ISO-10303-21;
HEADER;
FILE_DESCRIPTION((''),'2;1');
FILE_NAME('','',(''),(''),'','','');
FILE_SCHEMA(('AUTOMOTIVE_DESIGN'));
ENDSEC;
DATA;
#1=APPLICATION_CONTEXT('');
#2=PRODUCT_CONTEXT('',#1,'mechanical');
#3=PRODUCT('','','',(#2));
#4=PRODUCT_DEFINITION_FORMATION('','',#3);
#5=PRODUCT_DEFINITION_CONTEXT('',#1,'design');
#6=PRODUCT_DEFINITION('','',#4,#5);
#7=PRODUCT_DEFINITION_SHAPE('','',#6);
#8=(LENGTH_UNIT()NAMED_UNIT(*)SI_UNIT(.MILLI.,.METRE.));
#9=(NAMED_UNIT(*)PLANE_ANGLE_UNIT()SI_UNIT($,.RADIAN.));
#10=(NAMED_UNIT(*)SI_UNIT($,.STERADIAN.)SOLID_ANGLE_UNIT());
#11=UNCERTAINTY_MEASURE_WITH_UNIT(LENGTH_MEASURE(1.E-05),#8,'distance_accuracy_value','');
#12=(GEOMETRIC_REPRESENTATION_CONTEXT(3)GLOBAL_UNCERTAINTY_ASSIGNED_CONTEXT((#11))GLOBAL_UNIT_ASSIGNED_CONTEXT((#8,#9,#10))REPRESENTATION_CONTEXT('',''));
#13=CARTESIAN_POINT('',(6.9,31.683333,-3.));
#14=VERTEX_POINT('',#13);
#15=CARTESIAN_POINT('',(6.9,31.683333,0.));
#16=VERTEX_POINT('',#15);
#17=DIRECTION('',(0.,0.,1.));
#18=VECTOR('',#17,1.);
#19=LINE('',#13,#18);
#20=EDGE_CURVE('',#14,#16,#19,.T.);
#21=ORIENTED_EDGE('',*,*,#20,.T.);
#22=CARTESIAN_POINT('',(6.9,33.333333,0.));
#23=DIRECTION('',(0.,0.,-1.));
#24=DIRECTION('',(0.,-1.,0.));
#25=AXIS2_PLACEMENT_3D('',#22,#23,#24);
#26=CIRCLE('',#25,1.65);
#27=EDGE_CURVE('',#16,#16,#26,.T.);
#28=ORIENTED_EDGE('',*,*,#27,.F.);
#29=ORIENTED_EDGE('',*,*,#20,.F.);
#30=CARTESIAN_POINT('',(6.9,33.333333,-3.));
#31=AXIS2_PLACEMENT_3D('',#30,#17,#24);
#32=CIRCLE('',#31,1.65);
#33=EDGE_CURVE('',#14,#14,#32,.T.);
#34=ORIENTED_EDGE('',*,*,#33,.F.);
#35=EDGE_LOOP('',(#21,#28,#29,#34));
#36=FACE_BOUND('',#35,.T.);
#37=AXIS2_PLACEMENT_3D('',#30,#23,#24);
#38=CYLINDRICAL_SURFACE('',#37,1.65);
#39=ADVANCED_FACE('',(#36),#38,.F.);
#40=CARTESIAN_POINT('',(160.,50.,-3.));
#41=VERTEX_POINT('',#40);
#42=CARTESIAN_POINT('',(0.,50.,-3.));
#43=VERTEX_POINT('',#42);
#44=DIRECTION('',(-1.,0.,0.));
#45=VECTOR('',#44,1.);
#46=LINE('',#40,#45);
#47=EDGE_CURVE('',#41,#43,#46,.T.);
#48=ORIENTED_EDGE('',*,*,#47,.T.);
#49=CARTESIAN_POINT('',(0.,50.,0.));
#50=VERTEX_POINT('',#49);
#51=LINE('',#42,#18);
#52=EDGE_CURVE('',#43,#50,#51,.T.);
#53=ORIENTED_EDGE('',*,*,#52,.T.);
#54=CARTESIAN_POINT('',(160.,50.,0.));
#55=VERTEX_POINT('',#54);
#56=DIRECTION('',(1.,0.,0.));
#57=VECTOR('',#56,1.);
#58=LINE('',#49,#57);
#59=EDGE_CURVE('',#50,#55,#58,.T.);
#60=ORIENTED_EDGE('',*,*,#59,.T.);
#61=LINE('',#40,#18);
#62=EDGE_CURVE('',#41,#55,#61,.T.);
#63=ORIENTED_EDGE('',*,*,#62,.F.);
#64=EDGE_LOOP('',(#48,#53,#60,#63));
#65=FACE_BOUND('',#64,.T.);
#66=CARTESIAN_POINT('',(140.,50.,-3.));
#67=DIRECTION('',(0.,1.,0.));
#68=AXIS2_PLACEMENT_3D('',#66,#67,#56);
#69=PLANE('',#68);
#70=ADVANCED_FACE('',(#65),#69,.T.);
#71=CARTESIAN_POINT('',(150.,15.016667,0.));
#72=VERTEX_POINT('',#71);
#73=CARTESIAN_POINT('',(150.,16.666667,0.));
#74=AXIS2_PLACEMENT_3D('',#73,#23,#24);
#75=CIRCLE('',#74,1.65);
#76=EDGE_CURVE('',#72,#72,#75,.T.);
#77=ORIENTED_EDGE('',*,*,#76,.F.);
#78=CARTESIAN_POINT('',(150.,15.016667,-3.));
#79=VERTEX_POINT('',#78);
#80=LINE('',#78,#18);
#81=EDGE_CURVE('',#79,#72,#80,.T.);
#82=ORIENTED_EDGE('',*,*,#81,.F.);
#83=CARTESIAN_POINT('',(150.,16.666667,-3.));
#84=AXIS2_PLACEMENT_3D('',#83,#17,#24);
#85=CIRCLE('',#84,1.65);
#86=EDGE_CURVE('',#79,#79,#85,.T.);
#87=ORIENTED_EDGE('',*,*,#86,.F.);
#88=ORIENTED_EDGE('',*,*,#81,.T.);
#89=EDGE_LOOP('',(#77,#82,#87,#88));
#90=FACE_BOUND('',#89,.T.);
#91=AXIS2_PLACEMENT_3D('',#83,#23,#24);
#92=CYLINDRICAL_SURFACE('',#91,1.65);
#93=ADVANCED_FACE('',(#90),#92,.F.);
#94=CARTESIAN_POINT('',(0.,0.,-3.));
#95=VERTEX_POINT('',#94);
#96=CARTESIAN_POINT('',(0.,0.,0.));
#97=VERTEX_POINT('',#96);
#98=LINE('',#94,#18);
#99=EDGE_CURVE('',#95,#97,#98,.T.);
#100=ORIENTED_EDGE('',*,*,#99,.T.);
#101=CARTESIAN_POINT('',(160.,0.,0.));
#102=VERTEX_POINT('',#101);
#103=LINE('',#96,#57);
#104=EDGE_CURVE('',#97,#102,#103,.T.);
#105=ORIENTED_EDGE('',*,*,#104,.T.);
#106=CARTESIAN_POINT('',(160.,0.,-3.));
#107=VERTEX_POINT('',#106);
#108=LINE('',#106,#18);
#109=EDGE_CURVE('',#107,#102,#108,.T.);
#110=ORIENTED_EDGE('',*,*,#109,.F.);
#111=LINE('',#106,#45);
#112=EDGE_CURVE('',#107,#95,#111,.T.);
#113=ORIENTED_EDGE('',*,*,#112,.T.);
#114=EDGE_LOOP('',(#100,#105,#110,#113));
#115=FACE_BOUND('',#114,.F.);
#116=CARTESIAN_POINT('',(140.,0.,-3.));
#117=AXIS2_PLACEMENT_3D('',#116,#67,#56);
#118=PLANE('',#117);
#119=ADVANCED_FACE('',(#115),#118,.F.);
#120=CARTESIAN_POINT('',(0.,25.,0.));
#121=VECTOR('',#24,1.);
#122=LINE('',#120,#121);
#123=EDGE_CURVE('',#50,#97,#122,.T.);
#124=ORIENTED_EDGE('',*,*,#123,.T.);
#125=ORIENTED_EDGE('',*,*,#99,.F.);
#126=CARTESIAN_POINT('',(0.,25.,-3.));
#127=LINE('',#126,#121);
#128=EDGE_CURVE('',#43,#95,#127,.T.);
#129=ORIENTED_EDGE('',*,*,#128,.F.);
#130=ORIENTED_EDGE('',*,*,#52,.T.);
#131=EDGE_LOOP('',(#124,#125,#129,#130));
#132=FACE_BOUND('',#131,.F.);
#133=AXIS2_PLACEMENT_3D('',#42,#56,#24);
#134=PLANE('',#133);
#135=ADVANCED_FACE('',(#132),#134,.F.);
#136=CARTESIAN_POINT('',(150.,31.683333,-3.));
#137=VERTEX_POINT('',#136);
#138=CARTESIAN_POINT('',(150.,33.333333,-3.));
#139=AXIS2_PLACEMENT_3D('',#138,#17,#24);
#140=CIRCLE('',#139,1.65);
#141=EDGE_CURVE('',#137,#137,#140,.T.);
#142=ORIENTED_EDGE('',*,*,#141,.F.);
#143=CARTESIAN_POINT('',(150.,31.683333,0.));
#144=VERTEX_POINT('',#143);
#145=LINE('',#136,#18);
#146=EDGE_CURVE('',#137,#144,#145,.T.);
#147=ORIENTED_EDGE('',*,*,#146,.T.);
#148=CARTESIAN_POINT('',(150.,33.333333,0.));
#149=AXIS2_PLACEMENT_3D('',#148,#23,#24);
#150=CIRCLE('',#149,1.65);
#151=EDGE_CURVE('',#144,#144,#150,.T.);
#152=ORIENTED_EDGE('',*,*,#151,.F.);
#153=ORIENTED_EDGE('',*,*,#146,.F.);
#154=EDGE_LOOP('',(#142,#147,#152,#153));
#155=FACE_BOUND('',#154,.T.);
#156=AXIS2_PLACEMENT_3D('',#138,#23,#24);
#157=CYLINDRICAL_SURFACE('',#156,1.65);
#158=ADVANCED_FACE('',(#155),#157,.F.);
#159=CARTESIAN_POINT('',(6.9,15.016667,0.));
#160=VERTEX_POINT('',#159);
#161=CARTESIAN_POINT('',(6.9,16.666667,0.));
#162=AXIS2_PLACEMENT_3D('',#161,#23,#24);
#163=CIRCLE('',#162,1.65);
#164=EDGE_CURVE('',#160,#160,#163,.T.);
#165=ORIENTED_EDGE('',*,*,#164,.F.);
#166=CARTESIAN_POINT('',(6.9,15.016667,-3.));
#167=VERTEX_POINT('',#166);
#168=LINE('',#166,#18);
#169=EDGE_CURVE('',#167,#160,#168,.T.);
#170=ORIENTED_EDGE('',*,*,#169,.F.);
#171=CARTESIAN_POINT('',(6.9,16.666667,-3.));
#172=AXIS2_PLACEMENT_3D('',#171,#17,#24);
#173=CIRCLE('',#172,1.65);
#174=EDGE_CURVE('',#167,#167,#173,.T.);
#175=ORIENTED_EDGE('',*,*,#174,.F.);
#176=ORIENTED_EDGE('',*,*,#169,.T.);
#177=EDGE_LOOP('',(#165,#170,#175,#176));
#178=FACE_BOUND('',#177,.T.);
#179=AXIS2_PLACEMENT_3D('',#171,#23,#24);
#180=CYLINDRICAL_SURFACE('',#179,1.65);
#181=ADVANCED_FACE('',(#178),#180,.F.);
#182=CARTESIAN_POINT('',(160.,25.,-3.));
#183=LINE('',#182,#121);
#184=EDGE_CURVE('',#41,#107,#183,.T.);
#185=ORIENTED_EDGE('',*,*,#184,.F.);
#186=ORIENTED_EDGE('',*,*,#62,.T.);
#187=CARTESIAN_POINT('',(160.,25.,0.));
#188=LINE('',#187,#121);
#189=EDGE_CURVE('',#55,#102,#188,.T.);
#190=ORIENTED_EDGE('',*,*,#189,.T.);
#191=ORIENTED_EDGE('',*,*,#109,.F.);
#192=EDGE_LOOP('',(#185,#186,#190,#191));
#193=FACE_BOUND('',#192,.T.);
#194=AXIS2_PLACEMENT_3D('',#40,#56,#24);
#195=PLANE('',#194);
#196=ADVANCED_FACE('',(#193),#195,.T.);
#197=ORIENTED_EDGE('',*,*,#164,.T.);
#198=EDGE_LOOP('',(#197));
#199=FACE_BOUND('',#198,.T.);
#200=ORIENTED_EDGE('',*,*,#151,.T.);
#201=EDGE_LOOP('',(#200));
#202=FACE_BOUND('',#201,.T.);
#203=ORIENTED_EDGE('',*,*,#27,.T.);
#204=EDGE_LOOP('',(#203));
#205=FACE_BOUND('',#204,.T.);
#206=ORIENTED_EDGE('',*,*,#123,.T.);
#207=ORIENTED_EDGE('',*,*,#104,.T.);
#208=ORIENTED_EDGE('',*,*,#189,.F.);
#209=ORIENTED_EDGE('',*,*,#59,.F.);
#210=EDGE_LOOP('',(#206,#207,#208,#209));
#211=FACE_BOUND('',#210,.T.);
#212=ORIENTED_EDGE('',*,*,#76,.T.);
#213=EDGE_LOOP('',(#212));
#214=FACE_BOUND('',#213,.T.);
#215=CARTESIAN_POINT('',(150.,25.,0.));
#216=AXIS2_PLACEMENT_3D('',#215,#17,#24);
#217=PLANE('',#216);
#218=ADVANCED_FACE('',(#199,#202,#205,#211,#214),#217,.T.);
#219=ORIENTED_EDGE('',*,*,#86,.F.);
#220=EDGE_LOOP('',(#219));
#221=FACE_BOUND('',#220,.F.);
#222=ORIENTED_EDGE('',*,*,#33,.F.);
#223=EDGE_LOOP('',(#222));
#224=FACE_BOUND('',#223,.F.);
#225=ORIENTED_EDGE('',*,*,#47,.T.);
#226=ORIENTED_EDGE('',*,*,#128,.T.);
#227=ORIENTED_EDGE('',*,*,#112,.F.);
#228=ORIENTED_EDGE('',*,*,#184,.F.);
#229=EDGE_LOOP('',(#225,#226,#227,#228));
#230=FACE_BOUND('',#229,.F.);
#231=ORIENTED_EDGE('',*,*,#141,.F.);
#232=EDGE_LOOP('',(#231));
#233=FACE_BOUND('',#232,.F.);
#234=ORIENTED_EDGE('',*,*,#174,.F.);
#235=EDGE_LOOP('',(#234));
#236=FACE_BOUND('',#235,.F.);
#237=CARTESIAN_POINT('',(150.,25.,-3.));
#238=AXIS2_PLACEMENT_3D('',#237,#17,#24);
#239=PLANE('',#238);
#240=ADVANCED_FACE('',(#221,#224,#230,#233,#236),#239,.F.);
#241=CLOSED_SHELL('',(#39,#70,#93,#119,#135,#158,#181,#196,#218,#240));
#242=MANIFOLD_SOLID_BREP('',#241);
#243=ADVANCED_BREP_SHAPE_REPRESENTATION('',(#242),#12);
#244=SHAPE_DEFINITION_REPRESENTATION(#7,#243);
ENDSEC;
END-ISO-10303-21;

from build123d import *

# Parameters (mm, degrees)
SKETCH001_W           = 50
SKETCH001_H           = 16.9
PAD_DEPTH             = 3
SKETCH002_W           = 50
SKETCH002_H           = 50
PAD001_DEPTH          = 3
SKETCH003_W           = 50
SKETCH003_H           = 20
PAD002_DEPTH          = 3
SKETCH004_W           = 50
SKETCH004_H           = 53.1
PAD003_DEPTH          = 3
SKETCH005_W           = 50
SKETCH005_H           = 20
PAD004_DEPTH          = 3
SKETCH006_R           = 1.65
POCKET_DEPTH          = 3.001
SKETCH_R              = 1.65
POCKET001_DEPTH       = 0.001
POCKET001_DEPTH_BACK  = 3.001
CLONE_PLACEMENT_ANGLE = 90


with BuildPart() as part:
    # Sketch001 → Pad (new body)
    with BuildSketch(Plane.XY):
        with Locations((25, 8.45)):
            Rectangle(SKETCH001_W, SKETCH001_H)
    extrude(amount=PAD_DEPTH)

    # Sketch002 → Pad001 (join)
    with BuildSketch(Plane(origin=(0, 16.9, 0), x_dir=(1, 0, 0), z_dir=(0, 0, 1))):
        with Locations((25, 25)):
            Rectangle(SKETCH002_W, SKETCH002_H)
    extrude(amount=PAD001_DEPTH)

    # Sketch003 → Pad002 (join)
    with BuildSketch(Plane(origin=(0, 66.9, 0), x_dir=(1, 0, 0), z_dir=(0, 0, 1))):
        with Locations((25, 10)):
            Rectangle(SKETCH003_W, SKETCH003_H)
    extrude(amount=PAD002_DEPTH)

    # Sketch004 → Pad003 (join)
    with BuildSketch(Plane(origin=(0, 86.9, 0), x_dir=(1, 0, 0), z_dir=(0, 0, 1))):
        with Locations((25, 26.55)):
            Rectangle(SKETCH004_W, SKETCH004_H)
    extrude(amount=PAD003_DEPTH)

    # Sketch005 → Pad004 (join)
    with BuildSketch(Plane(origin=(0, 140, 0), x_dir=(1, 0, 0), z_dir=(0, 0, 1))):
        with Locations((25, 10)):
            Rectangle(SKETCH005_W, SKETCH005_H)
    extrude(amount=PAD004_DEPTH)

    # Sketch006 → Pocket (cut, through all)
    with BuildSketch(Plane.XY):
        with Locations((16.666667, 6.9)):
            Circle(SKETCH006_R)
        with Locations((33.333333, 6.9)):
            Circle(SKETCH006_R)
    extrude(amount=POCKET_DEPTH, mode=Mode.SUBTRACT)

    # Sketch → Pocket001 (cut, two sides)
    with BuildSketch(Plane(origin=(0, 140, 0), x_dir=(1, 0, 0), z_dir=(0, 0, 1))) as pocket001_sk:
        with Locations((16.666667, 10)):
            Circle(SKETCH_R)
        with Locations((33.333333, 10)):
            Circle(SKETCH_R)
    extrude(amount=-POCKET001_DEPTH, mode=Mode.SUBTRACT)
    extrude(pocket001_sk.sketch, amount=POCKET001_DEPTH_BACK, mode=Mode.SUBTRACT)


with BuildPart() as part_1:
    # Clone placement: moved
    add(part.part.moved(Location((0, 50, -3))).rotate(Axis((0, 50, -3), (0, 0, -1)), CLONE_PLACEMENT_ANGLE))


solid = part_1.part
